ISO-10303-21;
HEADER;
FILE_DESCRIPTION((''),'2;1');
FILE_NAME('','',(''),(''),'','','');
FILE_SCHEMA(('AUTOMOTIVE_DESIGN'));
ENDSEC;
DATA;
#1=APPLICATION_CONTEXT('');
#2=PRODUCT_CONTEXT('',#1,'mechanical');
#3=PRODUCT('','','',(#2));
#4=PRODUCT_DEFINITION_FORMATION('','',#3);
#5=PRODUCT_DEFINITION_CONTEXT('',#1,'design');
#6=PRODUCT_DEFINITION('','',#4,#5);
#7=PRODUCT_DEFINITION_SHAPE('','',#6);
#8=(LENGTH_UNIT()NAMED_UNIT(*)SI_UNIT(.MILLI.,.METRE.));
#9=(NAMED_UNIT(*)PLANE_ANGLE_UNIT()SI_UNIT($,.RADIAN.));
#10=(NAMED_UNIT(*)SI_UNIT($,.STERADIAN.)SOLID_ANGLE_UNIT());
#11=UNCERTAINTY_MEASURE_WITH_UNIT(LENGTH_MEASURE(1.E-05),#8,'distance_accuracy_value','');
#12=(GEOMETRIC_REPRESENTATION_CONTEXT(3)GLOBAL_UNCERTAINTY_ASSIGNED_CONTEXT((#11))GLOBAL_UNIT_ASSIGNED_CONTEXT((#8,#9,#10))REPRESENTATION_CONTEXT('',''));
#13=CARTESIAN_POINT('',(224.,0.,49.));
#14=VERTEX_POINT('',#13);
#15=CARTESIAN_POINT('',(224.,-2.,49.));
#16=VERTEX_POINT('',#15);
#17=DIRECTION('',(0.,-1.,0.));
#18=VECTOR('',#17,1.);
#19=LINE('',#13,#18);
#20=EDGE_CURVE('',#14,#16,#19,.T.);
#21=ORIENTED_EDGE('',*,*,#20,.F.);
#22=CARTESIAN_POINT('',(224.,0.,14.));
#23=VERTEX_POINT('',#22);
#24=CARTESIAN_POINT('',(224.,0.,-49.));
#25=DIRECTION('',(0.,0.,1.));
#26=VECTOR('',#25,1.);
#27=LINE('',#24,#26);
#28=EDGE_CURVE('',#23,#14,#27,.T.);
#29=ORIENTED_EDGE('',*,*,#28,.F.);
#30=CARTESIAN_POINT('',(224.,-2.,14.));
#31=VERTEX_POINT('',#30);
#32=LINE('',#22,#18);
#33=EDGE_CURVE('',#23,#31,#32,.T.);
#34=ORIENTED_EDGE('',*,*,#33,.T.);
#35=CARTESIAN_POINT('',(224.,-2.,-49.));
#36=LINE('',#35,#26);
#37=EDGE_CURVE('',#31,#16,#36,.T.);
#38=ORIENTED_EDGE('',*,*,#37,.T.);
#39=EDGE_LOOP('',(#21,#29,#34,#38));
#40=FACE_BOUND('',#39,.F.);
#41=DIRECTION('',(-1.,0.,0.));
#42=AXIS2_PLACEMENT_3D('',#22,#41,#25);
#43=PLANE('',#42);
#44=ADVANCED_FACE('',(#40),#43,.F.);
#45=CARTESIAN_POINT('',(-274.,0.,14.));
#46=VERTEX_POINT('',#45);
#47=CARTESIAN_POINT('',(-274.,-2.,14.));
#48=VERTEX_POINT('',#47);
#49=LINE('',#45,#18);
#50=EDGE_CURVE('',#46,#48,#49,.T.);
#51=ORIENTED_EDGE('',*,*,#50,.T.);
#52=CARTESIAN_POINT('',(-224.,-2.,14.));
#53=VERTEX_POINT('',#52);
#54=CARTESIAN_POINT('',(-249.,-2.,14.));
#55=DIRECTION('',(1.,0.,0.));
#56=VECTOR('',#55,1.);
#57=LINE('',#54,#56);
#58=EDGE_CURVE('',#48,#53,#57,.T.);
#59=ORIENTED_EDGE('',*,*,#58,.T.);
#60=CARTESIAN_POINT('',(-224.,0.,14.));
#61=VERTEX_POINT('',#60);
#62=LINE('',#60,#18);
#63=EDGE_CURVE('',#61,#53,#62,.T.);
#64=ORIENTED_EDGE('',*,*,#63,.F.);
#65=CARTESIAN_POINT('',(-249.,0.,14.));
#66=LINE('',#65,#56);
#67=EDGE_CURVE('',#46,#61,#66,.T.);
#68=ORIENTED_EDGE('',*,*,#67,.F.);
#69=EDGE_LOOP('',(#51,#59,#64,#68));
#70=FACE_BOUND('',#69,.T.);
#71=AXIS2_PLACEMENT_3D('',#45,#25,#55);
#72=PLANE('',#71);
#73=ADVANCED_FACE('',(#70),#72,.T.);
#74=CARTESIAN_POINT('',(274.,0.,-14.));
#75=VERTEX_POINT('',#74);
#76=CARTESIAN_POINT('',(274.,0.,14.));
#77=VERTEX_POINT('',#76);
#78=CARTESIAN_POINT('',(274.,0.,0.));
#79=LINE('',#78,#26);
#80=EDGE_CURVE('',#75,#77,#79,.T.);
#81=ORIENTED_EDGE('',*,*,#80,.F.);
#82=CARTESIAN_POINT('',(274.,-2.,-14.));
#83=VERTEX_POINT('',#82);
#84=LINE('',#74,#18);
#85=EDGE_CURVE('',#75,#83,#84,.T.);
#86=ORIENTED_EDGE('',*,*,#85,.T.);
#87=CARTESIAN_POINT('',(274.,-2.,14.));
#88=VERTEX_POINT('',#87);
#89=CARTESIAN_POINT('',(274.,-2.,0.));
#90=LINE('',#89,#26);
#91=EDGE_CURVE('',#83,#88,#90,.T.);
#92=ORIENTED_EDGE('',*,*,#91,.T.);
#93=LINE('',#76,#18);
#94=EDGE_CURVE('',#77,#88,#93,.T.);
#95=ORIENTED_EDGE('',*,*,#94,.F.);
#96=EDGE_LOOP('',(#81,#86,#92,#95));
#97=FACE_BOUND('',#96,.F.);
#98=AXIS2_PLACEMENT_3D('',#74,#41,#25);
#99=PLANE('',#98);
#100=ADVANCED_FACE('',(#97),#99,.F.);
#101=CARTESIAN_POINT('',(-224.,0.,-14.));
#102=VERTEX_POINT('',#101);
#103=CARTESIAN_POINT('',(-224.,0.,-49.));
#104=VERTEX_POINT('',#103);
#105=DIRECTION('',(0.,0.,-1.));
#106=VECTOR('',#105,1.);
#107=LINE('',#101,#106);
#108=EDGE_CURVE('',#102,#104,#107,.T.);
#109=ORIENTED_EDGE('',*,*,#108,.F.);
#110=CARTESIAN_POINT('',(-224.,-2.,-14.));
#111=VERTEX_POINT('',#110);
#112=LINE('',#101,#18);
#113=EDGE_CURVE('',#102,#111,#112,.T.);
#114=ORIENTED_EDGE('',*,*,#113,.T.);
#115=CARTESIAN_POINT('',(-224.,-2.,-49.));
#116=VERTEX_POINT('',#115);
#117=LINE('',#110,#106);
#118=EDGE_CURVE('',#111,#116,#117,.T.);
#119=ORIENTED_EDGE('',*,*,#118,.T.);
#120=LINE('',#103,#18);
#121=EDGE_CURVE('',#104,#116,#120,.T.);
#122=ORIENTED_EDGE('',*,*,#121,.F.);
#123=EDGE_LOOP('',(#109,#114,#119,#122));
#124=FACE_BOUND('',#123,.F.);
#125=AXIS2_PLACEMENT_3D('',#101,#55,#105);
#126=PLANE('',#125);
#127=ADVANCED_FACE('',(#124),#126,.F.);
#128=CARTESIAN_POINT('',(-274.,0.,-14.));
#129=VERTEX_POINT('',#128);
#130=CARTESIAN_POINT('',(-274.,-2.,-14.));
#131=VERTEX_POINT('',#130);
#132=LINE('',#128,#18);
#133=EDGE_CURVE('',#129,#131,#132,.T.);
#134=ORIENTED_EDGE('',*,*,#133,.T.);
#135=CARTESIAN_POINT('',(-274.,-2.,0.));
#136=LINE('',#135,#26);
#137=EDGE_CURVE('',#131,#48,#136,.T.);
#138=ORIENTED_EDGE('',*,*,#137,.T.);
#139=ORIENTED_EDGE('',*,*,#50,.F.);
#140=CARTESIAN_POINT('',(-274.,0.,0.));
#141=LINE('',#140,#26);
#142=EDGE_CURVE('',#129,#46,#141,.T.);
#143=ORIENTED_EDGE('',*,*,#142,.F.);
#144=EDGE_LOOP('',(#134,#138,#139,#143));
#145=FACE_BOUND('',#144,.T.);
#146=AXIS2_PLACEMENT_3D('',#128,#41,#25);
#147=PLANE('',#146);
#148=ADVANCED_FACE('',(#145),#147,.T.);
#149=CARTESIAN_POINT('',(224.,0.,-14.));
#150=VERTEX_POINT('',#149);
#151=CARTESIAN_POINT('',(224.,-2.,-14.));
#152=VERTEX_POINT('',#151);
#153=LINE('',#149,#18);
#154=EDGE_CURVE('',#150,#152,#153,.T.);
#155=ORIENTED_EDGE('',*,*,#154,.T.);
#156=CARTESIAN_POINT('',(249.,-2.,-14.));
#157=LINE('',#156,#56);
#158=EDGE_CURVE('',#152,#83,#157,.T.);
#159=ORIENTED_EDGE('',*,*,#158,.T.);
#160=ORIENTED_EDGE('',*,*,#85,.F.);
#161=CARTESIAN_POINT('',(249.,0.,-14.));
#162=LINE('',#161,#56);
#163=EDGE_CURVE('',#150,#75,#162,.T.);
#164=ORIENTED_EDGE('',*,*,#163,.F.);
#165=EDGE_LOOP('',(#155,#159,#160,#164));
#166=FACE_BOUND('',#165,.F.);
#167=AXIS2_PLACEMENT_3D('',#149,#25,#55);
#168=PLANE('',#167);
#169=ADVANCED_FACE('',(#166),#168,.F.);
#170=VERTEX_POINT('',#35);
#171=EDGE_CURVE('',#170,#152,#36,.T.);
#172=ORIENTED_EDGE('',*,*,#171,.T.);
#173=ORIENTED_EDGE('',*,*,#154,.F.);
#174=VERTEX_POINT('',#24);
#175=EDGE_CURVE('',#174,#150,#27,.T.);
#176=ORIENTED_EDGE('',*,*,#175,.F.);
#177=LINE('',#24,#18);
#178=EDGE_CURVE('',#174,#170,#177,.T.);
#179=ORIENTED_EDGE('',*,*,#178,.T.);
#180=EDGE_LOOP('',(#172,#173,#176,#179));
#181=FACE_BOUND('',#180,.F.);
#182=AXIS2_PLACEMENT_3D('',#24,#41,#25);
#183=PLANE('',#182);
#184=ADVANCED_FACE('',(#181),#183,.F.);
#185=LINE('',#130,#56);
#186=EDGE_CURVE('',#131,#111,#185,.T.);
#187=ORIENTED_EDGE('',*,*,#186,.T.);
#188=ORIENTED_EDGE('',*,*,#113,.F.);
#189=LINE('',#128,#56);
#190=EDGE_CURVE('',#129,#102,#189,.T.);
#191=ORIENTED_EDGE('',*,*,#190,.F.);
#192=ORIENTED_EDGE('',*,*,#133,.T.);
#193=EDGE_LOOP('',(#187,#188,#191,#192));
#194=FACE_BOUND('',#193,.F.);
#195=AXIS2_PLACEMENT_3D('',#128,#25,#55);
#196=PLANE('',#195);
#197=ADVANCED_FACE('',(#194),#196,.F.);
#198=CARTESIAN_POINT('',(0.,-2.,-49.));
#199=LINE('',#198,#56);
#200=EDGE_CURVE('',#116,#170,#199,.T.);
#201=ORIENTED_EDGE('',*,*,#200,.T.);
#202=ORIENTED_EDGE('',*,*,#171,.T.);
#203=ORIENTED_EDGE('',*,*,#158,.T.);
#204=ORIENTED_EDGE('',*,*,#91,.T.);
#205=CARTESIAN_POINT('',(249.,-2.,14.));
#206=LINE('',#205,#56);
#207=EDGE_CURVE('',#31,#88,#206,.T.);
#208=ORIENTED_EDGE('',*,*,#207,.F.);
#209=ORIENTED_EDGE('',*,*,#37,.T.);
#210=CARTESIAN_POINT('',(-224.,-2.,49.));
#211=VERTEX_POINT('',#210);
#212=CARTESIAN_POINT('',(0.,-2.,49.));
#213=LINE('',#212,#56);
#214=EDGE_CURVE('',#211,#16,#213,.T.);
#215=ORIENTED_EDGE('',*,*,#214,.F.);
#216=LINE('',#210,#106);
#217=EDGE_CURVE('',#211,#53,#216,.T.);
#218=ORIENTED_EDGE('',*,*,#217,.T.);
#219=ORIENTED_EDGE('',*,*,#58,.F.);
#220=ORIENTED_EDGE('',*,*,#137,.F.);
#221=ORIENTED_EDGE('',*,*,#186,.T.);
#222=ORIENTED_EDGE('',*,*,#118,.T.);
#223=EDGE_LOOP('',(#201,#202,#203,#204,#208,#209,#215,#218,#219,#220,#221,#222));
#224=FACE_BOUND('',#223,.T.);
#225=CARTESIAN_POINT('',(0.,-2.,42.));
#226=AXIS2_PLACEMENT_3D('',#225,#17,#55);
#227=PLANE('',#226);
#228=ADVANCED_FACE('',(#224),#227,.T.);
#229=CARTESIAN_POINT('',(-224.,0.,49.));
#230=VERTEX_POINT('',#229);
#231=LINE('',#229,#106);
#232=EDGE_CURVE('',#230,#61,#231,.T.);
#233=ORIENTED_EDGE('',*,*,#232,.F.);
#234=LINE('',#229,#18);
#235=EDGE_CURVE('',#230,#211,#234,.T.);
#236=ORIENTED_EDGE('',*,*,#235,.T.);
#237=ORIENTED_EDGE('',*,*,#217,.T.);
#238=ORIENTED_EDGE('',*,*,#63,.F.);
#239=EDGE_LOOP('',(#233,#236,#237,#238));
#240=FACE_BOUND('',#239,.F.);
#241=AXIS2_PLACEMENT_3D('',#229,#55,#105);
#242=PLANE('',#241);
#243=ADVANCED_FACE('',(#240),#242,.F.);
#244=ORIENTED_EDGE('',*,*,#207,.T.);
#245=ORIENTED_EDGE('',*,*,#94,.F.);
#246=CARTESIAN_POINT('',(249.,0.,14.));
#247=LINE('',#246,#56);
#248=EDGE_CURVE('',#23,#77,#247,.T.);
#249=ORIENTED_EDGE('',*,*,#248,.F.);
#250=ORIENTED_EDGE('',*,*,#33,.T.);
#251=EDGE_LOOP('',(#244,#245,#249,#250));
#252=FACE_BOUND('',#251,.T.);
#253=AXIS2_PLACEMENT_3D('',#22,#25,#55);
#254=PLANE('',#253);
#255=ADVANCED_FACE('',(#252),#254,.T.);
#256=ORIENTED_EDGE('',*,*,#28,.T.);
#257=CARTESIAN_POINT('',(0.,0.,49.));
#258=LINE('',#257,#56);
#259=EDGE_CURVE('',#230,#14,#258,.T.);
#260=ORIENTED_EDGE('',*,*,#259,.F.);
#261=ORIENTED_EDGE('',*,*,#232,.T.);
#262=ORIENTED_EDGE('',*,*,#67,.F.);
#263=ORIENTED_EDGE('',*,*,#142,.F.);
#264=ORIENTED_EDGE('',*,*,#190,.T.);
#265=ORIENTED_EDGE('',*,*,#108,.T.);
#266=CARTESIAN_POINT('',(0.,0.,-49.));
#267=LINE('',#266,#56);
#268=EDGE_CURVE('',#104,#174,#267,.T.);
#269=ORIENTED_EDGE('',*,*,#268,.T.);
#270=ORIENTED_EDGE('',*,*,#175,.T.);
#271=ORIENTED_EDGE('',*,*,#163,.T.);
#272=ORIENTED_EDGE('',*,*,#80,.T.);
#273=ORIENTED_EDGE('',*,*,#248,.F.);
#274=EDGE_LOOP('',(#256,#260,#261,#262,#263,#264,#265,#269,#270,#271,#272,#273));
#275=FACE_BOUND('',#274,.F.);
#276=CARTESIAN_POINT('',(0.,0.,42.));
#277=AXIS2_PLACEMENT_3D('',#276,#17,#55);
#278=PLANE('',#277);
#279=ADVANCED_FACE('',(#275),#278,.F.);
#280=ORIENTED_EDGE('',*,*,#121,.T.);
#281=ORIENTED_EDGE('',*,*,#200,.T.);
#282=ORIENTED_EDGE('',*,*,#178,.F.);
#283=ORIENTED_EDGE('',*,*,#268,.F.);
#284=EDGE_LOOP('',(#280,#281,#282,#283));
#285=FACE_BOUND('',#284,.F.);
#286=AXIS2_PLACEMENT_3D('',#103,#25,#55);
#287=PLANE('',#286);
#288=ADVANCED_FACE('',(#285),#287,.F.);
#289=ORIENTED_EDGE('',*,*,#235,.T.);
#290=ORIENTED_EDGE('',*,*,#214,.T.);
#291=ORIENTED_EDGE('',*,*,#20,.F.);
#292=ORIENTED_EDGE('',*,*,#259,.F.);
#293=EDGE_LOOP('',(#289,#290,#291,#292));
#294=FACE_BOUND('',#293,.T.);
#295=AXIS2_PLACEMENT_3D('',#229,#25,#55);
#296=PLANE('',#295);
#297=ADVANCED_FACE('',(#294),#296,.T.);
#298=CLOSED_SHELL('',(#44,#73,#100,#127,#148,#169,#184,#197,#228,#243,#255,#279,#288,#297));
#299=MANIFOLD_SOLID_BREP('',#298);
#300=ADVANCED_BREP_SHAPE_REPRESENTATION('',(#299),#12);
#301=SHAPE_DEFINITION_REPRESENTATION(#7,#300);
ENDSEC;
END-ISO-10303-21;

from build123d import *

# Parameters (mm, degrees)
F0_W     = 448
F0_H     = 14
F0_H_2   = 21
F0_H_3   = 28
F0_W_2   = 50
F1_DEPTH = 2


with BuildPart() as f1:
    # F0 (on Front) → F1 (new body)
    with BuildSketch(Plane.XZ):
        with Locations((0, 42)):
            Rectangle(F0_W, F0_H)
        with Locations((0, 24.5)):
            Rectangle(F0_W, F0_H_2)
        Rectangle(F0_W, F0_H_3)
        with Locations((-249, 0)):
            Rectangle(F0_W_2, F0_H_3)
        with Locations((0, -21)):
            Rectangle(F0_W, F0_H)
        with Locations((0, -38.5)):
            Rectangle(F0_W, F0_H_2)
        with Locations((249, 0)):
            Rectangle(F0_W_2, F0_H_3)
    extrude(amount=F1_DEPTH)


solid = f1.part
